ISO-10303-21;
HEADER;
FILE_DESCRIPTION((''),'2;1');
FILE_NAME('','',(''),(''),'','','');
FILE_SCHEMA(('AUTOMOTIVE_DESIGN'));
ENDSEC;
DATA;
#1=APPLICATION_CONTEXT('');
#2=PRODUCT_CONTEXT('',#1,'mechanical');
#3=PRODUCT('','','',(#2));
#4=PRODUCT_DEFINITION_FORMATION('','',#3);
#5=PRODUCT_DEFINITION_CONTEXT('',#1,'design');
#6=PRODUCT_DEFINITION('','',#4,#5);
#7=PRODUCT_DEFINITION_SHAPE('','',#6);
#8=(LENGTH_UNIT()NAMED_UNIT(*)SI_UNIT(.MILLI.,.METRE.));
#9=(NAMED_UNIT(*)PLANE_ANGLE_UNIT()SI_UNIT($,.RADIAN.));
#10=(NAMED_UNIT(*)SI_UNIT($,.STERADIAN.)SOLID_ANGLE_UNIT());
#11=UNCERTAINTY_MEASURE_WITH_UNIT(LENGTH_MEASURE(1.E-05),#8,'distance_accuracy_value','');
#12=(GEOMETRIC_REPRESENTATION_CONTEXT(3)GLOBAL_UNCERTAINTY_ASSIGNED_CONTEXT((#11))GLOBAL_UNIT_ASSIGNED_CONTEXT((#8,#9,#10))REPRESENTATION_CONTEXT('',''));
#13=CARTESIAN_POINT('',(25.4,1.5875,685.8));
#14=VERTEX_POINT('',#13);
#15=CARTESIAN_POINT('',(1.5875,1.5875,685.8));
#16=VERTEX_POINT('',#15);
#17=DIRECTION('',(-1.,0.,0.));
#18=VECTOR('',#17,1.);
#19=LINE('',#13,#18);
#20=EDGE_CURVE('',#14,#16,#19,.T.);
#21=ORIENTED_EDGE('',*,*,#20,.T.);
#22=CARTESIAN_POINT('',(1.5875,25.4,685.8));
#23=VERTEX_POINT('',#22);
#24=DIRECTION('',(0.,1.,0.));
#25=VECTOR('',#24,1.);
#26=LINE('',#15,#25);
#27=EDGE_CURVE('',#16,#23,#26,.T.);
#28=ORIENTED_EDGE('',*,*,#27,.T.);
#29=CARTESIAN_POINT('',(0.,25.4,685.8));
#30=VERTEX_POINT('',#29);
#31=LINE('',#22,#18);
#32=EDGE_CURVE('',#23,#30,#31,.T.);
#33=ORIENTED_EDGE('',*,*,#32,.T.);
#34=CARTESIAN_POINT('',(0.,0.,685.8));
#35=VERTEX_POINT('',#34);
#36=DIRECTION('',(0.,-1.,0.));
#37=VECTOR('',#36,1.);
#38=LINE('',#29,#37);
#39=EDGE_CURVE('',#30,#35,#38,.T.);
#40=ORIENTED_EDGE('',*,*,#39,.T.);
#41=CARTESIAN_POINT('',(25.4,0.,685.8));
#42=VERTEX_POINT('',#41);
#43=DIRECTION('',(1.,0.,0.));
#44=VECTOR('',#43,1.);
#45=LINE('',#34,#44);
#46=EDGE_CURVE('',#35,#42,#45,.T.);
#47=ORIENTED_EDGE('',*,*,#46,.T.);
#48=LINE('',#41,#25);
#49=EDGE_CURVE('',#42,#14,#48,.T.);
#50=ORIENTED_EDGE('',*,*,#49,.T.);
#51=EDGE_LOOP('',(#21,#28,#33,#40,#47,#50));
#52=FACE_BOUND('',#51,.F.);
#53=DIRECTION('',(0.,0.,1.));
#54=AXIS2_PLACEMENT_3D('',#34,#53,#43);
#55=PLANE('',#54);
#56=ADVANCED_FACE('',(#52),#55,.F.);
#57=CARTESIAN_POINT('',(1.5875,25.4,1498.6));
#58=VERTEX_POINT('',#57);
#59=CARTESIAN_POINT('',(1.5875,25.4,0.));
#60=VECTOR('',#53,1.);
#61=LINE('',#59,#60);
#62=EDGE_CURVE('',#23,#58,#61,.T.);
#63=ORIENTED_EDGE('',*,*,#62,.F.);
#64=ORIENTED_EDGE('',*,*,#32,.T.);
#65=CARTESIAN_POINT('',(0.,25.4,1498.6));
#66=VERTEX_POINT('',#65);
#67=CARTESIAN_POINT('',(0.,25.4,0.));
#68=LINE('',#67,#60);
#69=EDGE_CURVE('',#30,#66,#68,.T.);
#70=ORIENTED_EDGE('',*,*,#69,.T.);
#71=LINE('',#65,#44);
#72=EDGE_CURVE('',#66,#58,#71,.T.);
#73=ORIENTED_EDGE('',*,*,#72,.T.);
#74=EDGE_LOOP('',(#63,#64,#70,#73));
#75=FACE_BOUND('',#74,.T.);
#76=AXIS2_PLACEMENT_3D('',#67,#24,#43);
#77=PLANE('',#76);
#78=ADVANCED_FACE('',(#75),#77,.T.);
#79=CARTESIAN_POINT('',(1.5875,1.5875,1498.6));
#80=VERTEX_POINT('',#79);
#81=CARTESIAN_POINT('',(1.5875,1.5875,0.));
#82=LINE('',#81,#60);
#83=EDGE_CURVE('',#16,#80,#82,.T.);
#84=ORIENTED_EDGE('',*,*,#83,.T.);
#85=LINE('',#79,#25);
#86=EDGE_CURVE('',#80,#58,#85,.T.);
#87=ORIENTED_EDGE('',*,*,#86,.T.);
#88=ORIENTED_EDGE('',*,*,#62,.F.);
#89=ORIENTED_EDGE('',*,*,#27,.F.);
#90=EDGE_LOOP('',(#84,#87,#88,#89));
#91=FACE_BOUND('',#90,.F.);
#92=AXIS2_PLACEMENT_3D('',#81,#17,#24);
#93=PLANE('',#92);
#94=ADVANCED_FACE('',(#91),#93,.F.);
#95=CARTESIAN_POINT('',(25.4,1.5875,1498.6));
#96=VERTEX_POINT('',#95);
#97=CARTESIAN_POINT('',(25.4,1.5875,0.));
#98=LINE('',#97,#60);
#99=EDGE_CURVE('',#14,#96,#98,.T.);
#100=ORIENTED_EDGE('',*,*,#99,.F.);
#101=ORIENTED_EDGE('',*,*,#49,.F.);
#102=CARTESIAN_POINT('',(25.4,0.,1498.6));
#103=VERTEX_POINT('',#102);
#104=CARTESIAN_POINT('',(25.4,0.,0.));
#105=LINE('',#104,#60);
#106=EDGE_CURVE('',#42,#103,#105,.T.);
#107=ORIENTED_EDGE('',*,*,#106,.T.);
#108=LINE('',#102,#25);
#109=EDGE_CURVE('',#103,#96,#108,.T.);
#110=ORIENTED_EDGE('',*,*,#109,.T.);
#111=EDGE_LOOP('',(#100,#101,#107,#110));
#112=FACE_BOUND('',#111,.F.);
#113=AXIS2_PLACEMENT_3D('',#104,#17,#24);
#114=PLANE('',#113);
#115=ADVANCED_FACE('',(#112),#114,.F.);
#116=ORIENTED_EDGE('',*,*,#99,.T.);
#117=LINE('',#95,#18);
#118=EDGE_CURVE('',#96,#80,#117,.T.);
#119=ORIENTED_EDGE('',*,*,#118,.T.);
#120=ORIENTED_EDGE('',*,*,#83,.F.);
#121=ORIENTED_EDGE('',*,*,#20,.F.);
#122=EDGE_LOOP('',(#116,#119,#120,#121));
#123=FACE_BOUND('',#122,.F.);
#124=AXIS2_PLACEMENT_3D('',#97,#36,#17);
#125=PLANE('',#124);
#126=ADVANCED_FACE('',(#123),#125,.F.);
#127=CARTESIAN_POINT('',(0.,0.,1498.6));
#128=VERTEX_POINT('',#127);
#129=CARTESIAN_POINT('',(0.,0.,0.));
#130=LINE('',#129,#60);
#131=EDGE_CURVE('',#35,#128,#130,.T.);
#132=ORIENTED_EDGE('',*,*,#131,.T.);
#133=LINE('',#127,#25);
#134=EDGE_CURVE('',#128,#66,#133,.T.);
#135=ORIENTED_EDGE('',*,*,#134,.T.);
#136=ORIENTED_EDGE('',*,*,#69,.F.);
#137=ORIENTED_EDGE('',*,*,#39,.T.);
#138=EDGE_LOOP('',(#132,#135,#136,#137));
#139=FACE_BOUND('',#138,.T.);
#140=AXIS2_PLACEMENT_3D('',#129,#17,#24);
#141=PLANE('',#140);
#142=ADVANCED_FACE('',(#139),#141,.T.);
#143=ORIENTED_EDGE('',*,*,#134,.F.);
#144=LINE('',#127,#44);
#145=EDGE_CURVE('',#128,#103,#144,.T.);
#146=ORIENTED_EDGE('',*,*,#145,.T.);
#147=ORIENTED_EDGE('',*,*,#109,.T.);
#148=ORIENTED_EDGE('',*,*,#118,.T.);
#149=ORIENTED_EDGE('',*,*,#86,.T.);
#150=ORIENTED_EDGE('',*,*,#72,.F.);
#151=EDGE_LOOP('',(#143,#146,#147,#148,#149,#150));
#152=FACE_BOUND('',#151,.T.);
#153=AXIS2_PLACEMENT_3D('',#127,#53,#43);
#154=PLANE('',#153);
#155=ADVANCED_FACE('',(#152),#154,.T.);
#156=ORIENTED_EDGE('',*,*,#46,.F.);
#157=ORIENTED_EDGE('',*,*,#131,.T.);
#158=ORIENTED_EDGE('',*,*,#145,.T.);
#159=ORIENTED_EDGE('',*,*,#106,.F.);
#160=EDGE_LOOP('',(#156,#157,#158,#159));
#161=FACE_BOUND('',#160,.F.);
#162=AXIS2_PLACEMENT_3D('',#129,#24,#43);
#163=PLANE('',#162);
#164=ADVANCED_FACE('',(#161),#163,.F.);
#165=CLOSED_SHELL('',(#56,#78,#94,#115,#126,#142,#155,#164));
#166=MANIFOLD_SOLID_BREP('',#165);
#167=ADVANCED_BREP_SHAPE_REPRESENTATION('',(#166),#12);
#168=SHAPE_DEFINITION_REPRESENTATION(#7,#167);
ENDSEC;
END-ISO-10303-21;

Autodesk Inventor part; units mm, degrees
ref_plane "YZ Plane" through (0, 0, 0) normal (1, 0, 0) x (0, 1, 0)
ref_plane "XZ Plane" through (0, 0, 0) normal (0, 1, 0) x (-1, 0, 0)
ref_plane "XY Plane" through (0, 0, 0) normal (0, 0, 1) x (1, 0, 0)
sketch "Sketch1" plane through (0, 0, 0) normal (0, 0, 1) x (1, 0, 0)
  line L0 (0, 0) -> (25.4, 0)
  line L1 (25.4, 0) -> (25.4, 1.5875)
  line L2 (25.4, 1.5875) -> (1.5875, 1.5875)
  line L3 (0, 0) -> (0, 25.4)
  line L4 (0, 25.4) -> (1.5875, 25.4)
  line L5 (1.5875, 1.5875) -> (1.5875, 25.4)
  dimension "d0" = 25.4
  dimension "d1" = 1.5875
  dimension "d2" = 25.4
  dimension "d3" = 1.5875
extrude "Extrusion1" add sketch "Sketch1" along normal blind 1498.6
sketch "Sketch2" plane through (0, 0, 1498.6) normal (0, 0, 1) x (1, 0, 0)
  line L0 (0, 0) -> (25.4, 0) projected
  line L1 (25.4, 0) -> (25.4, 1.5875) projected
  line L2 (25.4, 1.5875) -> (1.5875, 1.5875) projected
  line L3 (1.5875, 1.5875) -> (1.5875, 25.4) projected
  line L4 (1.5875, 25.4) -> (0, 25.4) projected
  line L5 (0, 25.4) -> (0, 0) projected
extrude "Extrusion2" cut sketch "Sketch2" against normal blind 812.8 keep common part
properties part number "32-LBracketVersaFrame-1111-2018"
